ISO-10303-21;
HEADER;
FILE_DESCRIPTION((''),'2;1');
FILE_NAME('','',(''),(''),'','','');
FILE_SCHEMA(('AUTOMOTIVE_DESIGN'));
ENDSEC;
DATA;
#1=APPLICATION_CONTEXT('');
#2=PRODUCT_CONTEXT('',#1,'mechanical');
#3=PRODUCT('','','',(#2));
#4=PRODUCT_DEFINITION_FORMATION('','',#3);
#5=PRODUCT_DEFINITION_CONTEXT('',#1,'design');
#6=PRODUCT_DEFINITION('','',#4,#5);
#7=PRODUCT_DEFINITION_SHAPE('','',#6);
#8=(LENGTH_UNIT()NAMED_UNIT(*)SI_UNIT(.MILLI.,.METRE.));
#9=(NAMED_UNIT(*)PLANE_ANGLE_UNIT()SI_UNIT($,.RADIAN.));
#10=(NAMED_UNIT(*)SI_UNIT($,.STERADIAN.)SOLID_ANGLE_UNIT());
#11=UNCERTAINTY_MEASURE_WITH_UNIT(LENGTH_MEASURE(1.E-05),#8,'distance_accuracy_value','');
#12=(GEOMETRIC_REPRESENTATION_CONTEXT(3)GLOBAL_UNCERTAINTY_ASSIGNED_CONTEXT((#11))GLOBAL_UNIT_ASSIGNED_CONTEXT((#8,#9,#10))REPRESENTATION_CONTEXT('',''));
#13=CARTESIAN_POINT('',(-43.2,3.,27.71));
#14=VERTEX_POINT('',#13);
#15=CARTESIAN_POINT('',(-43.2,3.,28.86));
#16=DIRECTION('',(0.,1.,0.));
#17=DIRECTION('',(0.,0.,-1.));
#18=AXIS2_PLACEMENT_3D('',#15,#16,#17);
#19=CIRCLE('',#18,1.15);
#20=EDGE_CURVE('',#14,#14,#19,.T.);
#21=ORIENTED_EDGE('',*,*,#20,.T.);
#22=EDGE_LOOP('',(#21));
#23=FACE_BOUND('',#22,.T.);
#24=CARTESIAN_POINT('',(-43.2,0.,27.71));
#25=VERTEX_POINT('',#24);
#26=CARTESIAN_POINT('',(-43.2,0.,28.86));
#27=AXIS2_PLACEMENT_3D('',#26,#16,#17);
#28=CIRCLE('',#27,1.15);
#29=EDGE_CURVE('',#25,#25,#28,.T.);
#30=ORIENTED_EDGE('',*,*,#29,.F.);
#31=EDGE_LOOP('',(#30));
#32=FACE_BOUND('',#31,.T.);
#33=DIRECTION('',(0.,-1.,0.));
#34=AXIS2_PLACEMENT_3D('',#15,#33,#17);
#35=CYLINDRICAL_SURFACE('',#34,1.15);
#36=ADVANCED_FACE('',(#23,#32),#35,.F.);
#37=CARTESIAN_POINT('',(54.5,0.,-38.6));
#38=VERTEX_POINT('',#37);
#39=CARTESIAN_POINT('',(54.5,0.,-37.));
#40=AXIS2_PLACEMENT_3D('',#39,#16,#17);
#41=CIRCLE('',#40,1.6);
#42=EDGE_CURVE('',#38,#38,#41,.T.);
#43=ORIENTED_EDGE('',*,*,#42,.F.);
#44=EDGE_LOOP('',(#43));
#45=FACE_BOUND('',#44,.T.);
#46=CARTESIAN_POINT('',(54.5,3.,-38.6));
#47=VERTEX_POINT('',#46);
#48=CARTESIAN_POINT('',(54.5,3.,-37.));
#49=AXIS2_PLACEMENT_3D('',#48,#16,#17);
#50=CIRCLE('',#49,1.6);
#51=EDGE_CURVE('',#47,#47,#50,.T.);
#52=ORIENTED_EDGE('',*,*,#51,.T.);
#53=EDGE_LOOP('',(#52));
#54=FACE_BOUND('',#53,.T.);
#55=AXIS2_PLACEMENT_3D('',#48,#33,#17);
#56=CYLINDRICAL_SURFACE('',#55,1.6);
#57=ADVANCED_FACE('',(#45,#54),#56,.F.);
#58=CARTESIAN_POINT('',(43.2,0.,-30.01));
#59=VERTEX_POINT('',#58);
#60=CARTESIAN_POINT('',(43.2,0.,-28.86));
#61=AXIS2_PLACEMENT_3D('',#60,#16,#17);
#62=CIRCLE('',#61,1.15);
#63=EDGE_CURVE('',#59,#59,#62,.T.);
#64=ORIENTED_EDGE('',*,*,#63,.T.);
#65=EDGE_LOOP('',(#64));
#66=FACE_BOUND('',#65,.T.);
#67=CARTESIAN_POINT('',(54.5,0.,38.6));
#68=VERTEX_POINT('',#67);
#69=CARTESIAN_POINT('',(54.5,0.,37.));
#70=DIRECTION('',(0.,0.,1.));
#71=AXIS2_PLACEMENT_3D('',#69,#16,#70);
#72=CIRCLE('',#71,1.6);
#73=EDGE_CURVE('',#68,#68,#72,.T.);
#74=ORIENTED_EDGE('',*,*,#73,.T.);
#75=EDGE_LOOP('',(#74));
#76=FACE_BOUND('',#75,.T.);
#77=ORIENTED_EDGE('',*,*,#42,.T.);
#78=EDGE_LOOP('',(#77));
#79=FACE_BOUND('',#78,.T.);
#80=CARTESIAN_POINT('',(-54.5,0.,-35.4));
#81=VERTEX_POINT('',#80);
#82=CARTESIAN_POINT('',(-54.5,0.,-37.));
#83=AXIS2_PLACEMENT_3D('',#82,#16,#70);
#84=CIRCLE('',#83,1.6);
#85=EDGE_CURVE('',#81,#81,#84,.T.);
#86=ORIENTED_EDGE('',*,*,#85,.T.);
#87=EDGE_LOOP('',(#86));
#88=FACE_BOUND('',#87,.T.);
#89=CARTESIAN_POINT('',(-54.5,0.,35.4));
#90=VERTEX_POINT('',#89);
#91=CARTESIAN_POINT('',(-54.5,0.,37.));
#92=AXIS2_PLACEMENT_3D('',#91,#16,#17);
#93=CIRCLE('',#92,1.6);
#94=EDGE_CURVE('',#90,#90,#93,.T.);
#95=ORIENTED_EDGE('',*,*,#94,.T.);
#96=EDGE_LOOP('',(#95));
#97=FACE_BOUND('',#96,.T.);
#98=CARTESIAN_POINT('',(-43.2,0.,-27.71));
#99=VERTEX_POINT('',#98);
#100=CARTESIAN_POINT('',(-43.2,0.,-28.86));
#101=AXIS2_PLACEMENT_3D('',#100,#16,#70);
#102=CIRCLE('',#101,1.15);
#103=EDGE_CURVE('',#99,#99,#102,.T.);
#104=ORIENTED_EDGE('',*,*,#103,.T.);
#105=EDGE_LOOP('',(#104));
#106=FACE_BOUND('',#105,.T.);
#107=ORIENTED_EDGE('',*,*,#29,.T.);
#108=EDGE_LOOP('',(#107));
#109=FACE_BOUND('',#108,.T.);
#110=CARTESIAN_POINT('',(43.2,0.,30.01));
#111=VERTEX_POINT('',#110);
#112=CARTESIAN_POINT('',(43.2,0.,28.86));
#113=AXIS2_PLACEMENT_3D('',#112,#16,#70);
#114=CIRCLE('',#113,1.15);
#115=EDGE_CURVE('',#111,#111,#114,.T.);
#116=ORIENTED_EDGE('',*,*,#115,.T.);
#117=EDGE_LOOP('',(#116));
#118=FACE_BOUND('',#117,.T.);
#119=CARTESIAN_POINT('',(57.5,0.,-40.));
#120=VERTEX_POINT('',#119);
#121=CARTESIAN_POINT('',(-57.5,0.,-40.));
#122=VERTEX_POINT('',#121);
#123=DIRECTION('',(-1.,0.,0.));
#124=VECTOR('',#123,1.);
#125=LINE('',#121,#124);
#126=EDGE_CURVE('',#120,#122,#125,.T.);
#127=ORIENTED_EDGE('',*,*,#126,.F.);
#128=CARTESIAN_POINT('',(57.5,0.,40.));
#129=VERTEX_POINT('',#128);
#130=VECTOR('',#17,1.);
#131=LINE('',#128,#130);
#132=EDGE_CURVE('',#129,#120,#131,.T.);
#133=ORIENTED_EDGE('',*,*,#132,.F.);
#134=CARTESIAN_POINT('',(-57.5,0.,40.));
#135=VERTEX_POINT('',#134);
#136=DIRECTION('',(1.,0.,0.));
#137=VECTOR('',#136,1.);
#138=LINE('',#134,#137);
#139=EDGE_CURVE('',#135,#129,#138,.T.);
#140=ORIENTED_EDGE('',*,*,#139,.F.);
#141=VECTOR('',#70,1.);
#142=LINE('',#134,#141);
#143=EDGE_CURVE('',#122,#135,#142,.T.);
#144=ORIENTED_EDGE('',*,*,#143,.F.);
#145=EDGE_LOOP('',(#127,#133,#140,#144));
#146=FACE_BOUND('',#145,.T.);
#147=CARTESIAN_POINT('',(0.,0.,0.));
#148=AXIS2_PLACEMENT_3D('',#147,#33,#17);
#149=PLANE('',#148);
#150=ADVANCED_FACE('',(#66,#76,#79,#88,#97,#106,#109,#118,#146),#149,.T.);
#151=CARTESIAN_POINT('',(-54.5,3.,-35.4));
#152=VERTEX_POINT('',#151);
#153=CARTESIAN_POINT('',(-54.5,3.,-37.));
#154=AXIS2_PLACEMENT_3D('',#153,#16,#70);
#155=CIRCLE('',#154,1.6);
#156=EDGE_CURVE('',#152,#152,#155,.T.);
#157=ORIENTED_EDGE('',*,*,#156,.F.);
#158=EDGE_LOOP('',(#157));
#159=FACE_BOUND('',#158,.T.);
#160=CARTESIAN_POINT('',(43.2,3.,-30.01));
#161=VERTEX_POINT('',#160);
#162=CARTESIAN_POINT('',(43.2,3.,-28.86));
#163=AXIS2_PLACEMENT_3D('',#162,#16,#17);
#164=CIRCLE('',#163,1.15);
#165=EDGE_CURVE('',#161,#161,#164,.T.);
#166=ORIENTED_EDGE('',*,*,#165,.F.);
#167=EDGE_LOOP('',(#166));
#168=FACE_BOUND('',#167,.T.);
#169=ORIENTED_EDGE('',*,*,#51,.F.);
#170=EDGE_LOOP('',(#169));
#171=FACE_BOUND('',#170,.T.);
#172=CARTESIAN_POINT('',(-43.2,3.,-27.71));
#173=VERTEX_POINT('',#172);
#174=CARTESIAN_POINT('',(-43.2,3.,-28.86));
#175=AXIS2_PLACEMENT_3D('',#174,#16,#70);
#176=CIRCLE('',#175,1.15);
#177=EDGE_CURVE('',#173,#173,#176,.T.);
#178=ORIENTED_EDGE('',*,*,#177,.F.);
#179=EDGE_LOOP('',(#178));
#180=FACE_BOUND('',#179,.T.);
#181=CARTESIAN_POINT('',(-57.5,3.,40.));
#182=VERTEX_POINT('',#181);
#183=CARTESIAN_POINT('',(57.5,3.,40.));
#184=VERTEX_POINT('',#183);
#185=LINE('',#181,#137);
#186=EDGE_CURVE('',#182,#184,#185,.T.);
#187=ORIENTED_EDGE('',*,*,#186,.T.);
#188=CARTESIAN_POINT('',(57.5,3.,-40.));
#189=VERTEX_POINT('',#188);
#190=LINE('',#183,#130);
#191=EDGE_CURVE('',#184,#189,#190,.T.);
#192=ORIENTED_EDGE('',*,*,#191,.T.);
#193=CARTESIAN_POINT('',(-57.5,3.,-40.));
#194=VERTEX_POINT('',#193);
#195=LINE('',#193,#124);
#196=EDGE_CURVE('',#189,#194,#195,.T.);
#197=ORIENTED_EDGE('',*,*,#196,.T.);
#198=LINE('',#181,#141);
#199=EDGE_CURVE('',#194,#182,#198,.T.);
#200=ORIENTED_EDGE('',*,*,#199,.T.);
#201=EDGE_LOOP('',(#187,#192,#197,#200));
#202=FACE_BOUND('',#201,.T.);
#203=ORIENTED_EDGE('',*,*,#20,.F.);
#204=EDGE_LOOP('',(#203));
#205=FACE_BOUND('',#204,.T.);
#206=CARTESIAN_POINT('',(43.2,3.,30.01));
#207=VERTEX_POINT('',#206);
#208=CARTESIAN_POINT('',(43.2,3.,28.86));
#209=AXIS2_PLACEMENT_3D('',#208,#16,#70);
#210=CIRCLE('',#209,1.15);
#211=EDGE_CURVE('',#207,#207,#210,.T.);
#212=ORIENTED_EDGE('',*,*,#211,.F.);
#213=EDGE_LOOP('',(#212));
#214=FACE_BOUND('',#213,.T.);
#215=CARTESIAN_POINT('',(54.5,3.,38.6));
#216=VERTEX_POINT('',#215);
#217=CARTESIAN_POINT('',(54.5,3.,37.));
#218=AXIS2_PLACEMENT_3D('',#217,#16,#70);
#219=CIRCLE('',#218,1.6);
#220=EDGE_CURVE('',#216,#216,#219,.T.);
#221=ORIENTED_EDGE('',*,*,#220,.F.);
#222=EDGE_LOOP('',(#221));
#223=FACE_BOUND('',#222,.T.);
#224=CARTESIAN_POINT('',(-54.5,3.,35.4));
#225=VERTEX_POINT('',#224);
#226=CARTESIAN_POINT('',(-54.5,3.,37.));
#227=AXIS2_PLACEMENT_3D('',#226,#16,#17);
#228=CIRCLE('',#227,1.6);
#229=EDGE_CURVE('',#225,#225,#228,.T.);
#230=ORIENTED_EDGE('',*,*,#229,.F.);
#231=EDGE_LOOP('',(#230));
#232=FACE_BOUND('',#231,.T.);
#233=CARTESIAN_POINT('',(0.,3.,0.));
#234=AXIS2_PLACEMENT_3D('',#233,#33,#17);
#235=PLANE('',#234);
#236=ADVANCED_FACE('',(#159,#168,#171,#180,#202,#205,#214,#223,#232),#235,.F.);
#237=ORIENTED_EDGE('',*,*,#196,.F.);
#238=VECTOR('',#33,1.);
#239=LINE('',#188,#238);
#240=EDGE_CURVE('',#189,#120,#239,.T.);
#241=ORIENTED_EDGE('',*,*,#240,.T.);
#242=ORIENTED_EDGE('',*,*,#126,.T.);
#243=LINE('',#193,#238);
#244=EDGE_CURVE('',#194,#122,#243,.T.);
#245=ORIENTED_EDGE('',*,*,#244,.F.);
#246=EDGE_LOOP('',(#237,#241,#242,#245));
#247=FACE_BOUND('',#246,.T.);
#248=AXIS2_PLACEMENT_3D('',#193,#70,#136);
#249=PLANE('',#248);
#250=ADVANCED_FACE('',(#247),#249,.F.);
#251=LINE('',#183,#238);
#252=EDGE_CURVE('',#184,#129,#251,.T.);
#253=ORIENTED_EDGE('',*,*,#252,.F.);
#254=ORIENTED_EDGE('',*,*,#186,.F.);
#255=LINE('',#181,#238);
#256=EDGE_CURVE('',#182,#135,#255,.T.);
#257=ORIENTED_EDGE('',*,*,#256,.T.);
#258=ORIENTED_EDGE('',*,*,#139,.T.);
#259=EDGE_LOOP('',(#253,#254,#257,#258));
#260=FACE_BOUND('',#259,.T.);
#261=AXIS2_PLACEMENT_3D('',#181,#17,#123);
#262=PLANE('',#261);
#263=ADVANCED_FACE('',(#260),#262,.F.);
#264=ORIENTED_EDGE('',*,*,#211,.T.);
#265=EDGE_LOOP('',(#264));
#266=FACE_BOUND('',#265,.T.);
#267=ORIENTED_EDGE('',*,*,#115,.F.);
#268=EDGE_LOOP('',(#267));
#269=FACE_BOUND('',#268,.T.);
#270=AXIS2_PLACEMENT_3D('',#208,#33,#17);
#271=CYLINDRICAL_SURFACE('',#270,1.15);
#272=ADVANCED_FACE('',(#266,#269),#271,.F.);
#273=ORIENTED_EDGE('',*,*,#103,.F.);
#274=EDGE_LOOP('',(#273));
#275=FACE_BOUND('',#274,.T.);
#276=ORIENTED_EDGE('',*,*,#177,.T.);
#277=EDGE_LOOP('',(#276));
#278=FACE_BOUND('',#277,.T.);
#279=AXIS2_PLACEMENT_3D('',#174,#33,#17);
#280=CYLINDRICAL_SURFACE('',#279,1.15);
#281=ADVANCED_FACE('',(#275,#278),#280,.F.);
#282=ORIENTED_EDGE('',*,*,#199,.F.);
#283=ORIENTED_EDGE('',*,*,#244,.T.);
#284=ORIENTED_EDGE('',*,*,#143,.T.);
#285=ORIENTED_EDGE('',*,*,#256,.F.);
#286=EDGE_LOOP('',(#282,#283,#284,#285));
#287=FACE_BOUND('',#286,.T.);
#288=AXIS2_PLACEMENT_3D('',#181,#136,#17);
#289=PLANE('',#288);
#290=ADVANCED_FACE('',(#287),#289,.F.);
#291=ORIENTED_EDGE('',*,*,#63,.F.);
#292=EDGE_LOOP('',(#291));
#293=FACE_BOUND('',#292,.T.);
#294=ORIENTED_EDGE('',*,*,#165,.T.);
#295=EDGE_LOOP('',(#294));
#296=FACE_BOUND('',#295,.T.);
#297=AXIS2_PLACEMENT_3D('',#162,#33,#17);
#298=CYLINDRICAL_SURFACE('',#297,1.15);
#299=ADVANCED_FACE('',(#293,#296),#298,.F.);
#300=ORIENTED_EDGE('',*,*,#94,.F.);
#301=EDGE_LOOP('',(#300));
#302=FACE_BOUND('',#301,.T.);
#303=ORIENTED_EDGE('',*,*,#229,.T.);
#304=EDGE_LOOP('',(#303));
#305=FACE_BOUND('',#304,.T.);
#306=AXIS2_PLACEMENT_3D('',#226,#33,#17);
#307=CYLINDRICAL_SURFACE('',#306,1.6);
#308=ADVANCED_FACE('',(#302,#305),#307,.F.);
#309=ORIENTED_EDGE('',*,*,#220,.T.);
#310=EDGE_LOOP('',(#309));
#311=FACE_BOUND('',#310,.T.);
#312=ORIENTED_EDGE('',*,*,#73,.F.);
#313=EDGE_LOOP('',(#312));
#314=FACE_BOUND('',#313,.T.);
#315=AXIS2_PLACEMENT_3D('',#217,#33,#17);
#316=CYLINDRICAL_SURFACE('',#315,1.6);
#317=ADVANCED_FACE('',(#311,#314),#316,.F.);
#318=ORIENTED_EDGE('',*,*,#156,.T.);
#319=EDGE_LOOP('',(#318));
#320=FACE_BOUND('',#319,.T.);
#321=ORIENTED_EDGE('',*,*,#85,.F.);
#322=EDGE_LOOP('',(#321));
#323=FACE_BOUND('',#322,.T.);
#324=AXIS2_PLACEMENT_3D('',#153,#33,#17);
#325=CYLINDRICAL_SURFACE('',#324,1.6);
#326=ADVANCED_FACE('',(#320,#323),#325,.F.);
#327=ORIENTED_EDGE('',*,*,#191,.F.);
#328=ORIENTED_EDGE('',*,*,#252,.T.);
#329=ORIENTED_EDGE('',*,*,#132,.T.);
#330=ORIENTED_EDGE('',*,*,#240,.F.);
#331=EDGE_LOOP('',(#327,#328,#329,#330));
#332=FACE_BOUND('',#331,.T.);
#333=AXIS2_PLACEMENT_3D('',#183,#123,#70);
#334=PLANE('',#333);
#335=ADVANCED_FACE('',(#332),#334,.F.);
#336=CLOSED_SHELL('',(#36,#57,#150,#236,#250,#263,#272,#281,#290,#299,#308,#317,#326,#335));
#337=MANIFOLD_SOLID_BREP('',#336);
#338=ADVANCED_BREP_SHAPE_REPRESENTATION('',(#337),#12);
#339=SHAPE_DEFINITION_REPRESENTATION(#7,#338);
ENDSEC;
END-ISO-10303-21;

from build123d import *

# Parameters (mm, degrees)
SKETCH_1_W      = 115
SKETCH_1_H      = 80
SKETCH_1_R      = 1.15
SKETCH_1_R_2    = 1.6
EXTRUDE_1_DEPTH = 3


with BuildPart() as part:
    # 草图1 → 凸台-拉伸1 (new body)
    with BuildSketch(Plane(origin=(0, 0, 0), x_dir=(1, 0, 0), z_dir=(0, 1, 0))):
        Rectangle(SKETCH_1_W, SKETCH_1_H)
        with Locations(Location((-43.2, 28.86, 0), (0, 0, 270))):
            Circle(SKETCH_1_R, mode=Mode.SUBTRACT)
        with Locations(Location((43.2, 28.86, 0), (0, 0, 90))):
            Circle(SKETCH_1_R, mode=Mode.SUBTRACT)
        with Locations(Location((43.2, -28.86, 0), (0, 0, 270))):
            Circle(SKETCH_1_R, mode=Mode.SUBTRACT)
        with Locations(Location((-43.2, -28.86, 0), (0, 0, 90))):
            Circle(SKETCH_1_R, mode=Mode.SUBTRACT)
        with Locations(Location((-54.5, 37, 0), (0, 0, 270))):
            Circle(SKETCH_1_R_2, mode=Mode.SUBTRACT)
        with Locations(Location((54.5, 37, 0), (0, 0, 90))):
            Circle(SKETCH_1_R_2, mode=Mode.SUBTRACT)
        with Locations(Location((-54.5, -37, 0), (0, 0, 90))):
            Circle(SKETCH_1_R_2, mode=Mode.SUBTRACT)
        with Locations(Location((54.5, -37, 0), (0, 0, 270))):
            Circle(SKETCH_1_R_2, mode=Mode.SUBTRACT)
    extrude(amount=EXTRUDE_1_DEPTH)


solid = part.part
